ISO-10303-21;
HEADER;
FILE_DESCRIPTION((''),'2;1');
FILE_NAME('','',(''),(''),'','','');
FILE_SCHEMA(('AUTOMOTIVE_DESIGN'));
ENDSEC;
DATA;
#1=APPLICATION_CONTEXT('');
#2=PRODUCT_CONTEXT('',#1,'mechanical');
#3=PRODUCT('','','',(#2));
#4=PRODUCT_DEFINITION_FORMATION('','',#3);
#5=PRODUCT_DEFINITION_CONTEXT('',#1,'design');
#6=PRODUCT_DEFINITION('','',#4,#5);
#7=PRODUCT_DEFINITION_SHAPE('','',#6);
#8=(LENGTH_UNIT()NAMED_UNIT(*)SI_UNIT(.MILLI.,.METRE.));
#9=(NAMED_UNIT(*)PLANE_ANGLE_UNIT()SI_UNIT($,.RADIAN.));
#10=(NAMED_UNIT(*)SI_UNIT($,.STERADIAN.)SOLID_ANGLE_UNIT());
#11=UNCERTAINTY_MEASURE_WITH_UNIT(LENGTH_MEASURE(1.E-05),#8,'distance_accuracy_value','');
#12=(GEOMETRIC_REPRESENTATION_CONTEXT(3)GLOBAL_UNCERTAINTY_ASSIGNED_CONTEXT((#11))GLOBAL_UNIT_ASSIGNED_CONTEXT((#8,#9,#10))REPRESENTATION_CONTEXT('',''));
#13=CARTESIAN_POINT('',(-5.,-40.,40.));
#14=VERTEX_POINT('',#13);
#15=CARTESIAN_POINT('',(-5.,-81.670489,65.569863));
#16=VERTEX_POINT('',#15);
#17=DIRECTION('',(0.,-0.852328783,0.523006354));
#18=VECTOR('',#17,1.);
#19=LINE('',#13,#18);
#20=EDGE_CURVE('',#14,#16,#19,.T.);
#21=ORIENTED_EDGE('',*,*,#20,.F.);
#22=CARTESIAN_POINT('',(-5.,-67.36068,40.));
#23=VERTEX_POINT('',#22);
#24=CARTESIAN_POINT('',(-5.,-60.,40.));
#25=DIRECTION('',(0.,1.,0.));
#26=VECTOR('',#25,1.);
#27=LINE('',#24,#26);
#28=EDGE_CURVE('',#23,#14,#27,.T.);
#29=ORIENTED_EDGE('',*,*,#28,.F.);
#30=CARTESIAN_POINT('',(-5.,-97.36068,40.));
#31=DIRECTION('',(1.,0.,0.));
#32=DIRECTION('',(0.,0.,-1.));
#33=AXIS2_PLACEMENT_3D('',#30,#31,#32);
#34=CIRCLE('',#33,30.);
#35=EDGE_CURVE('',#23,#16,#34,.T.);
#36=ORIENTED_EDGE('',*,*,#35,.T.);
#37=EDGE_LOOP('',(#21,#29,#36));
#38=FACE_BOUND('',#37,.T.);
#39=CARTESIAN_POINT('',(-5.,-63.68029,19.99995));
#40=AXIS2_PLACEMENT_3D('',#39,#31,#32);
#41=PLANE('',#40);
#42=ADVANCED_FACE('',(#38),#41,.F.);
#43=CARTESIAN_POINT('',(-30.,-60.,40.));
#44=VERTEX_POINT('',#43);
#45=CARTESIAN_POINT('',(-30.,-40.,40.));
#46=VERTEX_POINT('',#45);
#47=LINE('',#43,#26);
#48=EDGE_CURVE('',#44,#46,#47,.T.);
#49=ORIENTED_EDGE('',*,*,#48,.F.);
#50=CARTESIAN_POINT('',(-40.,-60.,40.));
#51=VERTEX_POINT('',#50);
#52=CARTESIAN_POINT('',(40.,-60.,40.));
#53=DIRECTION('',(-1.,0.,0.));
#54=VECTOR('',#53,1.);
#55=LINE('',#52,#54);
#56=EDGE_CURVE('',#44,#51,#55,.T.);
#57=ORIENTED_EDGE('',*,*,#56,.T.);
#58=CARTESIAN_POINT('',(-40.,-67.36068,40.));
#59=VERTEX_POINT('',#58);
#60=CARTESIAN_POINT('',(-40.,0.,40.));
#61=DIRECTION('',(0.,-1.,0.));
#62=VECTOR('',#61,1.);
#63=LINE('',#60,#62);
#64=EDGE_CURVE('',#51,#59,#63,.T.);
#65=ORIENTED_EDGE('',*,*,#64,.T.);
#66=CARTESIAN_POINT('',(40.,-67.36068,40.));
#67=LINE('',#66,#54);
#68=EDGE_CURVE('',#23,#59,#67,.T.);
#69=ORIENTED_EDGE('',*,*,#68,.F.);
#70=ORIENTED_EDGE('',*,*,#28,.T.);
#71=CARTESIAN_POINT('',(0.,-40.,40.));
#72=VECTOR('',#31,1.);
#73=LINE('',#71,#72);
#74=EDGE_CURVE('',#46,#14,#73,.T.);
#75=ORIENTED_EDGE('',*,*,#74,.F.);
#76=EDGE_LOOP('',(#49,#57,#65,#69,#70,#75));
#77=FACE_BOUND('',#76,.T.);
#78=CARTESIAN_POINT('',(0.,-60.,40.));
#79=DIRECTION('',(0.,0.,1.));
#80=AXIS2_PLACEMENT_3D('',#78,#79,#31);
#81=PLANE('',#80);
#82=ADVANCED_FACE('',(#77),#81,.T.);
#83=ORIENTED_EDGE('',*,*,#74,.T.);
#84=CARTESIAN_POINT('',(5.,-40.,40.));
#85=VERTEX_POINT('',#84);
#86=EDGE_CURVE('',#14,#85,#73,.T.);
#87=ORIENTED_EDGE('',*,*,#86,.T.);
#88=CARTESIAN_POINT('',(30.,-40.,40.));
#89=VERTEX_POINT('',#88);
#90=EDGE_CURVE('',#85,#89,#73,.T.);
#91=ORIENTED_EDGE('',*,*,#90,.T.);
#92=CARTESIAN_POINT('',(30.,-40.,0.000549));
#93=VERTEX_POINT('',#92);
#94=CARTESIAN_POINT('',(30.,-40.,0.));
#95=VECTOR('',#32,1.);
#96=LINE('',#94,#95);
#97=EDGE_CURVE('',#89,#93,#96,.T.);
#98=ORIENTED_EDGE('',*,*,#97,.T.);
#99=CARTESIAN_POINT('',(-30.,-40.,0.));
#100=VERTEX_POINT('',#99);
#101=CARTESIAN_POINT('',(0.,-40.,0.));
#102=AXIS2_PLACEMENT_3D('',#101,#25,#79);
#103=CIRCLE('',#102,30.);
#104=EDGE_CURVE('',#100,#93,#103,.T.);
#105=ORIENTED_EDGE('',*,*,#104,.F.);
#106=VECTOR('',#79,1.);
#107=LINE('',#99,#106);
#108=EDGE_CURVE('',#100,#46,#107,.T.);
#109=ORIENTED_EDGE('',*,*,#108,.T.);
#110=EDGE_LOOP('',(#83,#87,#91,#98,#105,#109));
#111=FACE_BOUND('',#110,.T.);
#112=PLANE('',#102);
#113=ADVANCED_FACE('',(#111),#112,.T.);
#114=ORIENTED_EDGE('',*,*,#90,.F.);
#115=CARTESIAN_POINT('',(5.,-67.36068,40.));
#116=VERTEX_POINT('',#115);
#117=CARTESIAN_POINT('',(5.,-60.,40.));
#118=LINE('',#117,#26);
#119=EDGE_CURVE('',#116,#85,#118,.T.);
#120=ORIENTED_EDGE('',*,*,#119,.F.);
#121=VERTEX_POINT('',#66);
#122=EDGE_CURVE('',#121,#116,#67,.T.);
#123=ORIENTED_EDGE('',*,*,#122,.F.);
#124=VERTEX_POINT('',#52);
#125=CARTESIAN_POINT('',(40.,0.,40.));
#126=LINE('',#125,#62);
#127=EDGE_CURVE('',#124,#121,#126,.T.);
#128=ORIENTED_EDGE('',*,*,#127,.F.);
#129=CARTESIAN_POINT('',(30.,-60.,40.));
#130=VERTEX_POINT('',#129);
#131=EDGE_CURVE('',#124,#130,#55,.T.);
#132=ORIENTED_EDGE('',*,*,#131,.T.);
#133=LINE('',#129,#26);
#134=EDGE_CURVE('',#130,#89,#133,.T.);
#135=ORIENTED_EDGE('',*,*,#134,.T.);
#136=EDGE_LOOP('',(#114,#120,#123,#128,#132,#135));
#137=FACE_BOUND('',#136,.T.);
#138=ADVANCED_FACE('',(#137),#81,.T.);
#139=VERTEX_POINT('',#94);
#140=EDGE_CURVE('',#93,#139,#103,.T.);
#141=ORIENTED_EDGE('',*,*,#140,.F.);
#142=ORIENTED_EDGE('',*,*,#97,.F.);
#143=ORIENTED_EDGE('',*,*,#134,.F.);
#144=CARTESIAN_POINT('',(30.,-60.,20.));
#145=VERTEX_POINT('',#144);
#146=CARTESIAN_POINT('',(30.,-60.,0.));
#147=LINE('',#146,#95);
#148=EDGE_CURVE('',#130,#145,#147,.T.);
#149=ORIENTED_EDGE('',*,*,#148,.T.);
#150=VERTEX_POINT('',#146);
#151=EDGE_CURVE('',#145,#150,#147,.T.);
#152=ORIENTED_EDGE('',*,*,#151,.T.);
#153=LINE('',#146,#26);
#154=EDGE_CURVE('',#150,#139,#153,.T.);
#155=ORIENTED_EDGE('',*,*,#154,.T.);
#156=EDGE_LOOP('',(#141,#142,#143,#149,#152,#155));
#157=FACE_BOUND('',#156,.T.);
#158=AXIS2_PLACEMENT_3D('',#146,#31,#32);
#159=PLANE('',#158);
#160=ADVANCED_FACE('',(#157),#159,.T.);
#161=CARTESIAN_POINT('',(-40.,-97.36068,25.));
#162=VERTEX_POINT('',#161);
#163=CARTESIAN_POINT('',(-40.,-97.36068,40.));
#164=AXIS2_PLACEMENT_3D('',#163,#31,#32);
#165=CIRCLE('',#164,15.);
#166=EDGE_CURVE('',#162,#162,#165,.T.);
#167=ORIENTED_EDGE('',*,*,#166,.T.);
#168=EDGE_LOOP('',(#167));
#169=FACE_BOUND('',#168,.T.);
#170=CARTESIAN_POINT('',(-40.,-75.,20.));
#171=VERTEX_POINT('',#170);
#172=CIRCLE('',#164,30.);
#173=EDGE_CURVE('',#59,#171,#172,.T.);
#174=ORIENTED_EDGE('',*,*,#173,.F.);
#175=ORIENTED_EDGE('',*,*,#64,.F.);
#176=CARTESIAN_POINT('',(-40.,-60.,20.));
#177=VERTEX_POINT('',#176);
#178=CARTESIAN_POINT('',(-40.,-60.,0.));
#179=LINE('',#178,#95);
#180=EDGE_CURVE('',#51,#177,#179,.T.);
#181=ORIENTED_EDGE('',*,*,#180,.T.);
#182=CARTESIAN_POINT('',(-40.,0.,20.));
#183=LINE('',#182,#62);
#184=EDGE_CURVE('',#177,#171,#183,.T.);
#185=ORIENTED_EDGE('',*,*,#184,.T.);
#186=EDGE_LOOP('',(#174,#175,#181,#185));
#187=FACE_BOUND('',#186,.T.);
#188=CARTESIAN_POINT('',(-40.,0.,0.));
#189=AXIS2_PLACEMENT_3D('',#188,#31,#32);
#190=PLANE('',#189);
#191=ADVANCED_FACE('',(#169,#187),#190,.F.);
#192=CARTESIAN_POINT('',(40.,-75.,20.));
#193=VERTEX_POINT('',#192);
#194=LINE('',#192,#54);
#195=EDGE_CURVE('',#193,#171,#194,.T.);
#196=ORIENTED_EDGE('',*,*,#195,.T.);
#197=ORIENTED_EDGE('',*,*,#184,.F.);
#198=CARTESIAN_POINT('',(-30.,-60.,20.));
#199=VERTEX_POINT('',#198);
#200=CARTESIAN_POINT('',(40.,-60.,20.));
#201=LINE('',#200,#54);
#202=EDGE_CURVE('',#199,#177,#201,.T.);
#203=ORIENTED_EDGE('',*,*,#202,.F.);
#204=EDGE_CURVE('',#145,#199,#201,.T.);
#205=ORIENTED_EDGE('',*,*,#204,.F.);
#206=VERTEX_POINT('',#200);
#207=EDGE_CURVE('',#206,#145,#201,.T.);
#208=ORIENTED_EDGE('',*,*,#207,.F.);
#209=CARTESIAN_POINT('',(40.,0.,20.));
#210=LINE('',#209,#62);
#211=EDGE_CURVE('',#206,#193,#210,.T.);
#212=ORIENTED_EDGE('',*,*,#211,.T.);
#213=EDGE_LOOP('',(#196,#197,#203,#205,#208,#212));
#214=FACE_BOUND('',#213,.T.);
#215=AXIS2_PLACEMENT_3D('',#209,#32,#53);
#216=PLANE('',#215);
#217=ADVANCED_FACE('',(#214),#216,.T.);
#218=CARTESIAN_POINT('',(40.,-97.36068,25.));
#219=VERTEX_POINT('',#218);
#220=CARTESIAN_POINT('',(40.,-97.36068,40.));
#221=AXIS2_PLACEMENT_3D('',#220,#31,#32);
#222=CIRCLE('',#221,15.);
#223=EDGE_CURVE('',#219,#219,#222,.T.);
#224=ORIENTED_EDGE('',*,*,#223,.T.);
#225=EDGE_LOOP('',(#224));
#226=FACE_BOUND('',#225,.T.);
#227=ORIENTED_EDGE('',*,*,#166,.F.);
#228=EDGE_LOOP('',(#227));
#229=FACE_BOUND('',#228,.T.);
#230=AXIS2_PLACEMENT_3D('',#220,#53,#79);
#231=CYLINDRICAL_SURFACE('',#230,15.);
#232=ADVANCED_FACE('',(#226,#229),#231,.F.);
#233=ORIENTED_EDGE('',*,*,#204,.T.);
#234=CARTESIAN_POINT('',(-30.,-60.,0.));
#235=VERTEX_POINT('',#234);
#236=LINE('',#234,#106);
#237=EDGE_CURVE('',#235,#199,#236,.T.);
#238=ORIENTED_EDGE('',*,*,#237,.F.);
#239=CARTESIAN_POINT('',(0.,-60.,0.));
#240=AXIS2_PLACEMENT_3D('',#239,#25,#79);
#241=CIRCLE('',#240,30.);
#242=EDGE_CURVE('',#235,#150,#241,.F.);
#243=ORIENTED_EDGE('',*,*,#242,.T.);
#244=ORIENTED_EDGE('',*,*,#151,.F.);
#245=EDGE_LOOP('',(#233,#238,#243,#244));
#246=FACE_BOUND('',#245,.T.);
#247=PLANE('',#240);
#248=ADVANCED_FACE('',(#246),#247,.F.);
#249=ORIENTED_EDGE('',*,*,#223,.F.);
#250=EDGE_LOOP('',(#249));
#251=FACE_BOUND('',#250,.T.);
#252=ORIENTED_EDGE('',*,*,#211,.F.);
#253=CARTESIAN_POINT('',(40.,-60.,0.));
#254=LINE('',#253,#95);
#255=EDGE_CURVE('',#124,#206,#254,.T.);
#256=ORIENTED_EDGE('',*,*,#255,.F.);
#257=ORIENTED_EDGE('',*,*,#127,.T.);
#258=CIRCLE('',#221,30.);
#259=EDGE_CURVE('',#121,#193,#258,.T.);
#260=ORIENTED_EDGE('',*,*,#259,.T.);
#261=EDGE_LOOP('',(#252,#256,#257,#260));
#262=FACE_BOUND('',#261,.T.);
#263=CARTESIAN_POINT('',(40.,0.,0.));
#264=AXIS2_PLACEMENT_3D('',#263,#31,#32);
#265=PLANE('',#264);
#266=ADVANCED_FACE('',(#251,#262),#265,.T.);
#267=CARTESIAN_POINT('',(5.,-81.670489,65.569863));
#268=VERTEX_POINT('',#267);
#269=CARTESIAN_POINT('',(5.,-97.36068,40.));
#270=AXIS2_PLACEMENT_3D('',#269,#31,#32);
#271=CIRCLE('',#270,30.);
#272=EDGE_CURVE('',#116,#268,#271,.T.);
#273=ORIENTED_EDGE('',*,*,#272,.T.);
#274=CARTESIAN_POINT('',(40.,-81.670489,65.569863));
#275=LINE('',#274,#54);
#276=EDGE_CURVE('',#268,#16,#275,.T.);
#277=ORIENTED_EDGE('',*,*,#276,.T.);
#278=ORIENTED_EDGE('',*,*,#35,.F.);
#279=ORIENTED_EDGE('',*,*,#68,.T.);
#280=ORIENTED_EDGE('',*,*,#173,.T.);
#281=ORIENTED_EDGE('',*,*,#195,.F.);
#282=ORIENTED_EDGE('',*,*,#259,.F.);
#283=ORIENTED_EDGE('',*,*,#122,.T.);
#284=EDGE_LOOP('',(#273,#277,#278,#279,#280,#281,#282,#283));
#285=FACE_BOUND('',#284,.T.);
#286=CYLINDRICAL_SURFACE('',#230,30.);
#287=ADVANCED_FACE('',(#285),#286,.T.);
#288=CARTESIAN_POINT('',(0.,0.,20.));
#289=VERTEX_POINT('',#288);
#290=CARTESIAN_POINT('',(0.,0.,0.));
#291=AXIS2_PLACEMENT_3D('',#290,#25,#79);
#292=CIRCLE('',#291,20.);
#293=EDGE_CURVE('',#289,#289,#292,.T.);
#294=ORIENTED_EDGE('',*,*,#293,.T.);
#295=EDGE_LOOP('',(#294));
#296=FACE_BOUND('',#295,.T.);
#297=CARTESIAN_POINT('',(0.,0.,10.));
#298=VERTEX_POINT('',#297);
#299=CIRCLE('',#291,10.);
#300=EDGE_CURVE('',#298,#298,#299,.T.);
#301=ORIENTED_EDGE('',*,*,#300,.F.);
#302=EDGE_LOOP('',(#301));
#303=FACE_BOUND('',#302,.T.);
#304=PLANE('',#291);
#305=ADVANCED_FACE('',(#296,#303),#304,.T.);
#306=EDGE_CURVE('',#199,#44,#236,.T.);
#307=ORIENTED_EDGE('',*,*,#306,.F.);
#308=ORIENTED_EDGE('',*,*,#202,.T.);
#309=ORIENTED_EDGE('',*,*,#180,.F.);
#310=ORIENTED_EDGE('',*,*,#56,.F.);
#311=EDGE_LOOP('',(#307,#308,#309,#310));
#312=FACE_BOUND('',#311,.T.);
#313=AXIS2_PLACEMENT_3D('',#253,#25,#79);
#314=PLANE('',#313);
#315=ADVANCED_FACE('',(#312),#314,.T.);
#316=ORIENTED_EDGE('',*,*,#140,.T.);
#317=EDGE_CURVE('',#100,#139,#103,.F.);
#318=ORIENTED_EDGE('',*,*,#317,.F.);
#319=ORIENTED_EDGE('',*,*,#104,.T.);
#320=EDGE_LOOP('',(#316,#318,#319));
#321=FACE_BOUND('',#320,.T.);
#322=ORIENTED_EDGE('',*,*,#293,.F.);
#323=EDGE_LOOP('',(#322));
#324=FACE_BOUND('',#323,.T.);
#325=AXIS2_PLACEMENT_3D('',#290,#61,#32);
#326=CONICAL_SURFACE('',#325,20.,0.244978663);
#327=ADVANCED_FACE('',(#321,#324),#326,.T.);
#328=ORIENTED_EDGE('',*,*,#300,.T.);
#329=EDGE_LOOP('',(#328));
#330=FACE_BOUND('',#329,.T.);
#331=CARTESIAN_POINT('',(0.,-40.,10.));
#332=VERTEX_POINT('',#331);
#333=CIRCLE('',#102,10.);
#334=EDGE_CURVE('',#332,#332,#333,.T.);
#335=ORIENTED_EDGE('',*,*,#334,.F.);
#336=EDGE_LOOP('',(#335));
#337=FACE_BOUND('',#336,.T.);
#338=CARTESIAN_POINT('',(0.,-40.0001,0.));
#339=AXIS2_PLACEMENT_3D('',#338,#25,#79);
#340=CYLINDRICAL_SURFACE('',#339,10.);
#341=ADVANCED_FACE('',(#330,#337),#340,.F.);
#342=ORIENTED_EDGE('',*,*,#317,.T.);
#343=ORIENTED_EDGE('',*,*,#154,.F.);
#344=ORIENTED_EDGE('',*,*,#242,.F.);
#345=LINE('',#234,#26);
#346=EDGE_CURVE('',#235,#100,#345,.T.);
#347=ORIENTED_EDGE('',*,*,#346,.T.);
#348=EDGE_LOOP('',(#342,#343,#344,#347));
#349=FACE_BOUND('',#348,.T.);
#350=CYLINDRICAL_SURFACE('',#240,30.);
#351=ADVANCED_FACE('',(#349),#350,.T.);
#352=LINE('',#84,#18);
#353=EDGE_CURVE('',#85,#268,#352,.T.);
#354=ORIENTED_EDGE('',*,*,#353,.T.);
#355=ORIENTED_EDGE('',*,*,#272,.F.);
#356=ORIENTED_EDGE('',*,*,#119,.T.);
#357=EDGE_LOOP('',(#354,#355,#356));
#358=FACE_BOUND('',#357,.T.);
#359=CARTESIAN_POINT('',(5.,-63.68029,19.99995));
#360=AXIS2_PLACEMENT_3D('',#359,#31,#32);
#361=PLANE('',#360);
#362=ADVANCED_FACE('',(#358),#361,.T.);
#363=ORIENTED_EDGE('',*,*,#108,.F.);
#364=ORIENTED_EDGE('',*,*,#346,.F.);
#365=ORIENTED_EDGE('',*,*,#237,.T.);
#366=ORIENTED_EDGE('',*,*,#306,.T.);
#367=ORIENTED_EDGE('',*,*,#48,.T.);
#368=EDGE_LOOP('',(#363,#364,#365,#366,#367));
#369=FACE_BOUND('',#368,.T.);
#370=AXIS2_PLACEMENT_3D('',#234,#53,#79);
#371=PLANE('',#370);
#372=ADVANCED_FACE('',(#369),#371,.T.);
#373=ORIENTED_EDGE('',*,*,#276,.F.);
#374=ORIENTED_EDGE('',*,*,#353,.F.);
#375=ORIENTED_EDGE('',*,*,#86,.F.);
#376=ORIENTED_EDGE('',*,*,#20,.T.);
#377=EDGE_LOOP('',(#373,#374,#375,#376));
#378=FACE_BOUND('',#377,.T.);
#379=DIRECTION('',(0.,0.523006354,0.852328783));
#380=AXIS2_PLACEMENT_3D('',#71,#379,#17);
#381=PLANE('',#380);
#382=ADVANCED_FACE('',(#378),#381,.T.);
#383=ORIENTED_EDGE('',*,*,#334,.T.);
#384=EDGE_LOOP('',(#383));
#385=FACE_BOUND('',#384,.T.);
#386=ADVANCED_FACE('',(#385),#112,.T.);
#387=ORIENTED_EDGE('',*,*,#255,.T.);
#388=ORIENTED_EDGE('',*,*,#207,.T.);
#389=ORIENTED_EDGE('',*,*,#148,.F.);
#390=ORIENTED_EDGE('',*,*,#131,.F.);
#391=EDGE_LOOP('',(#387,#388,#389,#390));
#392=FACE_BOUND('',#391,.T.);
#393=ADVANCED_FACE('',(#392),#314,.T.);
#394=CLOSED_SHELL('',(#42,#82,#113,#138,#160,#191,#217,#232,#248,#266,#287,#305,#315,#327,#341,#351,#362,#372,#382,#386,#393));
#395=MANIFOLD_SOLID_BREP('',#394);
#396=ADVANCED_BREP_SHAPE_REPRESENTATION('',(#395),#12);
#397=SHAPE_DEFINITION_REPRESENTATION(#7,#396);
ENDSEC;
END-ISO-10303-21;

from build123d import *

# Parameters (mm, degrees)
SKETCH1_R                = 20
SKETCH2_R                = 30
SKETCH3_R                = 10
CUT_EXTRUDE1_DEPTH       = 59.30951912
BOSS_EXTRUDE1_DEPTH      = 20
SKETCH7_R                = 30
SKETCH7_R_2              = 15
BOSS_EXTRUDE2_DEPTH      = 10
BOSS_EXTRUDE2_DEPTH_BACK = 70
RIB1_REACH               = 152.734
SKETCH11_WALL_W          = 352.358184706
SKETCH11_WALL_H          = 10


with BuildPart() as part:
    # Sketch1 → Loft1 section 0
    with BuildSketch(Plane(origin=(0, 0, 0), x_dir=(1, 0, 0), z_dir=(0, 1, 0))):
        Circle(SKETCH1_R)
    # Sketch2 → Loft1 section 1
    with BuildSketch(Plane(origin=(0, -40, 0), x_dir=(1, 0, 0), z_dir=(0, 1, 0))):
        Circle(SKETCH2_R)
    loft()

    # Sketch3 → Cut-Extrude1 (cut, through all)
    with BuildSketch(Plane(origin=(0, 0, 0), x_dir=(1, 0, 0), z_dir=(0, 1, 0))):
        with Locations(Location((0, 0, 0), (0, 0, 270))):
            Circle(SKETCH3_R)
    extrude(amount=-CUT_EXTRUDE1_DEPTH, mode=Mode.SUBTRACT)

    # Sketch6 → Boss-Extrude1 (add)
    with BuildSketch(Plane(origin=(0, -40, 0), x_dir=(1, 0, 0), z_dir=(0, 1, 0))):
        with BuildLine():
            ThreePointArc((-30, 0), (0, 30), (30, 0))
            Line((30, 0), (30, -40))
            Line((30, -40), (-30, -40))
            Line((-30, -40), (-30, 0))
        make_face()
    extrude(amount=-BOSS_EXTRUDE1_DEPTH)

    # Sketch7 → Boss-Extrude2 (add, two sides)
    with BuildSketch(Plane(origin=(30, 0, 0), x_dir=(0, 0, -1), z_dir=(1, 0, 0))) as boss_extrude2_sk:
        with Locations((-40, -97.360679775)):
            Circle(SKETCH7_R)
        with Locations((-40, -97.360679775)):
            Circle(SKETCH7_R_2, mode=Mode.SUBTRACT)
        with BuildLine():
            Line((-20, -75), (-20, -60))
            Line((-20, -60), (-40, -60))
            Line((-40, -60), (-40, -67.360679775))
            ThreePointArc((-40, -67.360679775), (-29.295337307, -69.335509006), (-20, -75))
        make_face()
    extrude(amount=BOSS_EXTRUDE2_DEPTH)
    extrude(boss_extrude2_sk.sketch, amount=-BOSS_EXTRUDE2_DEPTH_BACK)

    # Sketch11 wall → Rib1 (add, up to next)
    with BuildSketch(Plane(origin=(0, -60.835244504, 52.784931695), x_dir=(0, -0.85232878253, 0.52300635414), z_dir=(0, -0.52300635414, -0.85232878253)), mode=Mode.PRIVATE) as rib1_sk1:
        Rectangle(SKETCH11_WALL_W, SKETCH11_WALL_H)
    rib1_tool1 = extrude(rib1_sk1.sketch, amount=RIB1_REACH, mode=Mode.PRIVATE) - part.part
    add(rib1_tool1.solids().sort_by_distance((0, -60.835244504, 52.784931695))[0])


solid = part.part
